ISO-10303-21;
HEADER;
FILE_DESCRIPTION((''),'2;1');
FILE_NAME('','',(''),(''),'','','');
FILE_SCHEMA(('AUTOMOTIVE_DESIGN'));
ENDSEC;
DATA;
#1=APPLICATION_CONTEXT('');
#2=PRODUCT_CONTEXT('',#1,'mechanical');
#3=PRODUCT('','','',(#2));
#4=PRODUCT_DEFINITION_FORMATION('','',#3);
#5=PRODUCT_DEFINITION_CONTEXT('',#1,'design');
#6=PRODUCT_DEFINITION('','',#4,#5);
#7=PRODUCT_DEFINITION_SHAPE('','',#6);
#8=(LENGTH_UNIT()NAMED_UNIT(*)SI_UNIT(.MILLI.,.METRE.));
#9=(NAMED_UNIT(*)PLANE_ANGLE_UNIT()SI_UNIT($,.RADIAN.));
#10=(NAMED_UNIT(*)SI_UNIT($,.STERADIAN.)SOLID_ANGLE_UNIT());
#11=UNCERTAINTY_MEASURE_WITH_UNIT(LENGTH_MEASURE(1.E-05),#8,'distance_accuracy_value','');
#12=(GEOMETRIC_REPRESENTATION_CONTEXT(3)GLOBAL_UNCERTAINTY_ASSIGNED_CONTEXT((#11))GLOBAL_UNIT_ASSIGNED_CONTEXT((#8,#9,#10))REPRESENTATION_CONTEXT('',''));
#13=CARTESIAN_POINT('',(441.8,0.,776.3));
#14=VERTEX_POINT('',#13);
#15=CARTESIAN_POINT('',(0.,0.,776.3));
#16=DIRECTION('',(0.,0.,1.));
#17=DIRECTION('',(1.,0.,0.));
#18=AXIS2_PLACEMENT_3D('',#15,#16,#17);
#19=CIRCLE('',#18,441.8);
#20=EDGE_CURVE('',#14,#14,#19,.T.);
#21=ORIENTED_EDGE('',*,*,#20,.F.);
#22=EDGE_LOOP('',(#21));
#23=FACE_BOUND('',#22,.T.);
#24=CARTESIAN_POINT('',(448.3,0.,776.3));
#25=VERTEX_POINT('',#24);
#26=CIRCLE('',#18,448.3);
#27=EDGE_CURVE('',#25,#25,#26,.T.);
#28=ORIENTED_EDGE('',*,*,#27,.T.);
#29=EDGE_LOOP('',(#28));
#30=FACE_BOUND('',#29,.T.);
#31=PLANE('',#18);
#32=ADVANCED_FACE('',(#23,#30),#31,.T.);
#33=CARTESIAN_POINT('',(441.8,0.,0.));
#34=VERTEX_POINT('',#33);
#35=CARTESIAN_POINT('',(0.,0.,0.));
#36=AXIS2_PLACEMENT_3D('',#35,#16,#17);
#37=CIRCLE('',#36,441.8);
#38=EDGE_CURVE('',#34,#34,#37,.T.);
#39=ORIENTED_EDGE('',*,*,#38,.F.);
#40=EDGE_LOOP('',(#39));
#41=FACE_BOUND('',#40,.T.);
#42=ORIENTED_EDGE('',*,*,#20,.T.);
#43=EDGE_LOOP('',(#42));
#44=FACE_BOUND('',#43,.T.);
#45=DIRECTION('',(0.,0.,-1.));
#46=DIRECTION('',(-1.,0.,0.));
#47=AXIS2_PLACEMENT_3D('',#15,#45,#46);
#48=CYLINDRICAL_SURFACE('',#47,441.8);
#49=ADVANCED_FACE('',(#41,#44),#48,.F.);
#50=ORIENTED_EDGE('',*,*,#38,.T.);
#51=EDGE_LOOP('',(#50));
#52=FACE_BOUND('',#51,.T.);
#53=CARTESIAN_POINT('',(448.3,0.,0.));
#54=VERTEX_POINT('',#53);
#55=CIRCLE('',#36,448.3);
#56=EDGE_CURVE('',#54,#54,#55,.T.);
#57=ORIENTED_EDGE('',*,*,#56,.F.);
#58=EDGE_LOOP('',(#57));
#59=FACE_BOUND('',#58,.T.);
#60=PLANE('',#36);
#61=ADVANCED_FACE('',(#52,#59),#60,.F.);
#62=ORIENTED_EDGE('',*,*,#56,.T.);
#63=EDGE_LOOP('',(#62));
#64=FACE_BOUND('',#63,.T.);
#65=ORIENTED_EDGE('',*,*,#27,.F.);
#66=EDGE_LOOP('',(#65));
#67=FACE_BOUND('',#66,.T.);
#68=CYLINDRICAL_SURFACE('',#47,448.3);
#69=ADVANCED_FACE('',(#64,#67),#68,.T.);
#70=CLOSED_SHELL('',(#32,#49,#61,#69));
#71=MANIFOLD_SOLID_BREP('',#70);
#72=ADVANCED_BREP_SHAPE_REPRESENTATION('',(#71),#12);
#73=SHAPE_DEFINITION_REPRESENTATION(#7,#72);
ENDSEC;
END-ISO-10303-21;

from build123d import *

# Parameters (mm, degrees)
SCHIZZO1_R                   = 448.3
SCHIZZO1_R_2                 = 441.8
ESTRUSIONE_ESTRUSIONE1_DEPTH = 776.3


with BuildPart() as part:
    # Schizzo1 → Estrusione-Estrusione1 (new body)
    with BuildSketch(Plane.XY):
        Circle(SCHIZZO1_R)
        Circle(SCHIZZO1_R_2, mode=Mode.SUBTRACT)
    extrude(amount=ESTRUSIONE_ESTRUSIONE1_DEPTH)


solid = part.part
